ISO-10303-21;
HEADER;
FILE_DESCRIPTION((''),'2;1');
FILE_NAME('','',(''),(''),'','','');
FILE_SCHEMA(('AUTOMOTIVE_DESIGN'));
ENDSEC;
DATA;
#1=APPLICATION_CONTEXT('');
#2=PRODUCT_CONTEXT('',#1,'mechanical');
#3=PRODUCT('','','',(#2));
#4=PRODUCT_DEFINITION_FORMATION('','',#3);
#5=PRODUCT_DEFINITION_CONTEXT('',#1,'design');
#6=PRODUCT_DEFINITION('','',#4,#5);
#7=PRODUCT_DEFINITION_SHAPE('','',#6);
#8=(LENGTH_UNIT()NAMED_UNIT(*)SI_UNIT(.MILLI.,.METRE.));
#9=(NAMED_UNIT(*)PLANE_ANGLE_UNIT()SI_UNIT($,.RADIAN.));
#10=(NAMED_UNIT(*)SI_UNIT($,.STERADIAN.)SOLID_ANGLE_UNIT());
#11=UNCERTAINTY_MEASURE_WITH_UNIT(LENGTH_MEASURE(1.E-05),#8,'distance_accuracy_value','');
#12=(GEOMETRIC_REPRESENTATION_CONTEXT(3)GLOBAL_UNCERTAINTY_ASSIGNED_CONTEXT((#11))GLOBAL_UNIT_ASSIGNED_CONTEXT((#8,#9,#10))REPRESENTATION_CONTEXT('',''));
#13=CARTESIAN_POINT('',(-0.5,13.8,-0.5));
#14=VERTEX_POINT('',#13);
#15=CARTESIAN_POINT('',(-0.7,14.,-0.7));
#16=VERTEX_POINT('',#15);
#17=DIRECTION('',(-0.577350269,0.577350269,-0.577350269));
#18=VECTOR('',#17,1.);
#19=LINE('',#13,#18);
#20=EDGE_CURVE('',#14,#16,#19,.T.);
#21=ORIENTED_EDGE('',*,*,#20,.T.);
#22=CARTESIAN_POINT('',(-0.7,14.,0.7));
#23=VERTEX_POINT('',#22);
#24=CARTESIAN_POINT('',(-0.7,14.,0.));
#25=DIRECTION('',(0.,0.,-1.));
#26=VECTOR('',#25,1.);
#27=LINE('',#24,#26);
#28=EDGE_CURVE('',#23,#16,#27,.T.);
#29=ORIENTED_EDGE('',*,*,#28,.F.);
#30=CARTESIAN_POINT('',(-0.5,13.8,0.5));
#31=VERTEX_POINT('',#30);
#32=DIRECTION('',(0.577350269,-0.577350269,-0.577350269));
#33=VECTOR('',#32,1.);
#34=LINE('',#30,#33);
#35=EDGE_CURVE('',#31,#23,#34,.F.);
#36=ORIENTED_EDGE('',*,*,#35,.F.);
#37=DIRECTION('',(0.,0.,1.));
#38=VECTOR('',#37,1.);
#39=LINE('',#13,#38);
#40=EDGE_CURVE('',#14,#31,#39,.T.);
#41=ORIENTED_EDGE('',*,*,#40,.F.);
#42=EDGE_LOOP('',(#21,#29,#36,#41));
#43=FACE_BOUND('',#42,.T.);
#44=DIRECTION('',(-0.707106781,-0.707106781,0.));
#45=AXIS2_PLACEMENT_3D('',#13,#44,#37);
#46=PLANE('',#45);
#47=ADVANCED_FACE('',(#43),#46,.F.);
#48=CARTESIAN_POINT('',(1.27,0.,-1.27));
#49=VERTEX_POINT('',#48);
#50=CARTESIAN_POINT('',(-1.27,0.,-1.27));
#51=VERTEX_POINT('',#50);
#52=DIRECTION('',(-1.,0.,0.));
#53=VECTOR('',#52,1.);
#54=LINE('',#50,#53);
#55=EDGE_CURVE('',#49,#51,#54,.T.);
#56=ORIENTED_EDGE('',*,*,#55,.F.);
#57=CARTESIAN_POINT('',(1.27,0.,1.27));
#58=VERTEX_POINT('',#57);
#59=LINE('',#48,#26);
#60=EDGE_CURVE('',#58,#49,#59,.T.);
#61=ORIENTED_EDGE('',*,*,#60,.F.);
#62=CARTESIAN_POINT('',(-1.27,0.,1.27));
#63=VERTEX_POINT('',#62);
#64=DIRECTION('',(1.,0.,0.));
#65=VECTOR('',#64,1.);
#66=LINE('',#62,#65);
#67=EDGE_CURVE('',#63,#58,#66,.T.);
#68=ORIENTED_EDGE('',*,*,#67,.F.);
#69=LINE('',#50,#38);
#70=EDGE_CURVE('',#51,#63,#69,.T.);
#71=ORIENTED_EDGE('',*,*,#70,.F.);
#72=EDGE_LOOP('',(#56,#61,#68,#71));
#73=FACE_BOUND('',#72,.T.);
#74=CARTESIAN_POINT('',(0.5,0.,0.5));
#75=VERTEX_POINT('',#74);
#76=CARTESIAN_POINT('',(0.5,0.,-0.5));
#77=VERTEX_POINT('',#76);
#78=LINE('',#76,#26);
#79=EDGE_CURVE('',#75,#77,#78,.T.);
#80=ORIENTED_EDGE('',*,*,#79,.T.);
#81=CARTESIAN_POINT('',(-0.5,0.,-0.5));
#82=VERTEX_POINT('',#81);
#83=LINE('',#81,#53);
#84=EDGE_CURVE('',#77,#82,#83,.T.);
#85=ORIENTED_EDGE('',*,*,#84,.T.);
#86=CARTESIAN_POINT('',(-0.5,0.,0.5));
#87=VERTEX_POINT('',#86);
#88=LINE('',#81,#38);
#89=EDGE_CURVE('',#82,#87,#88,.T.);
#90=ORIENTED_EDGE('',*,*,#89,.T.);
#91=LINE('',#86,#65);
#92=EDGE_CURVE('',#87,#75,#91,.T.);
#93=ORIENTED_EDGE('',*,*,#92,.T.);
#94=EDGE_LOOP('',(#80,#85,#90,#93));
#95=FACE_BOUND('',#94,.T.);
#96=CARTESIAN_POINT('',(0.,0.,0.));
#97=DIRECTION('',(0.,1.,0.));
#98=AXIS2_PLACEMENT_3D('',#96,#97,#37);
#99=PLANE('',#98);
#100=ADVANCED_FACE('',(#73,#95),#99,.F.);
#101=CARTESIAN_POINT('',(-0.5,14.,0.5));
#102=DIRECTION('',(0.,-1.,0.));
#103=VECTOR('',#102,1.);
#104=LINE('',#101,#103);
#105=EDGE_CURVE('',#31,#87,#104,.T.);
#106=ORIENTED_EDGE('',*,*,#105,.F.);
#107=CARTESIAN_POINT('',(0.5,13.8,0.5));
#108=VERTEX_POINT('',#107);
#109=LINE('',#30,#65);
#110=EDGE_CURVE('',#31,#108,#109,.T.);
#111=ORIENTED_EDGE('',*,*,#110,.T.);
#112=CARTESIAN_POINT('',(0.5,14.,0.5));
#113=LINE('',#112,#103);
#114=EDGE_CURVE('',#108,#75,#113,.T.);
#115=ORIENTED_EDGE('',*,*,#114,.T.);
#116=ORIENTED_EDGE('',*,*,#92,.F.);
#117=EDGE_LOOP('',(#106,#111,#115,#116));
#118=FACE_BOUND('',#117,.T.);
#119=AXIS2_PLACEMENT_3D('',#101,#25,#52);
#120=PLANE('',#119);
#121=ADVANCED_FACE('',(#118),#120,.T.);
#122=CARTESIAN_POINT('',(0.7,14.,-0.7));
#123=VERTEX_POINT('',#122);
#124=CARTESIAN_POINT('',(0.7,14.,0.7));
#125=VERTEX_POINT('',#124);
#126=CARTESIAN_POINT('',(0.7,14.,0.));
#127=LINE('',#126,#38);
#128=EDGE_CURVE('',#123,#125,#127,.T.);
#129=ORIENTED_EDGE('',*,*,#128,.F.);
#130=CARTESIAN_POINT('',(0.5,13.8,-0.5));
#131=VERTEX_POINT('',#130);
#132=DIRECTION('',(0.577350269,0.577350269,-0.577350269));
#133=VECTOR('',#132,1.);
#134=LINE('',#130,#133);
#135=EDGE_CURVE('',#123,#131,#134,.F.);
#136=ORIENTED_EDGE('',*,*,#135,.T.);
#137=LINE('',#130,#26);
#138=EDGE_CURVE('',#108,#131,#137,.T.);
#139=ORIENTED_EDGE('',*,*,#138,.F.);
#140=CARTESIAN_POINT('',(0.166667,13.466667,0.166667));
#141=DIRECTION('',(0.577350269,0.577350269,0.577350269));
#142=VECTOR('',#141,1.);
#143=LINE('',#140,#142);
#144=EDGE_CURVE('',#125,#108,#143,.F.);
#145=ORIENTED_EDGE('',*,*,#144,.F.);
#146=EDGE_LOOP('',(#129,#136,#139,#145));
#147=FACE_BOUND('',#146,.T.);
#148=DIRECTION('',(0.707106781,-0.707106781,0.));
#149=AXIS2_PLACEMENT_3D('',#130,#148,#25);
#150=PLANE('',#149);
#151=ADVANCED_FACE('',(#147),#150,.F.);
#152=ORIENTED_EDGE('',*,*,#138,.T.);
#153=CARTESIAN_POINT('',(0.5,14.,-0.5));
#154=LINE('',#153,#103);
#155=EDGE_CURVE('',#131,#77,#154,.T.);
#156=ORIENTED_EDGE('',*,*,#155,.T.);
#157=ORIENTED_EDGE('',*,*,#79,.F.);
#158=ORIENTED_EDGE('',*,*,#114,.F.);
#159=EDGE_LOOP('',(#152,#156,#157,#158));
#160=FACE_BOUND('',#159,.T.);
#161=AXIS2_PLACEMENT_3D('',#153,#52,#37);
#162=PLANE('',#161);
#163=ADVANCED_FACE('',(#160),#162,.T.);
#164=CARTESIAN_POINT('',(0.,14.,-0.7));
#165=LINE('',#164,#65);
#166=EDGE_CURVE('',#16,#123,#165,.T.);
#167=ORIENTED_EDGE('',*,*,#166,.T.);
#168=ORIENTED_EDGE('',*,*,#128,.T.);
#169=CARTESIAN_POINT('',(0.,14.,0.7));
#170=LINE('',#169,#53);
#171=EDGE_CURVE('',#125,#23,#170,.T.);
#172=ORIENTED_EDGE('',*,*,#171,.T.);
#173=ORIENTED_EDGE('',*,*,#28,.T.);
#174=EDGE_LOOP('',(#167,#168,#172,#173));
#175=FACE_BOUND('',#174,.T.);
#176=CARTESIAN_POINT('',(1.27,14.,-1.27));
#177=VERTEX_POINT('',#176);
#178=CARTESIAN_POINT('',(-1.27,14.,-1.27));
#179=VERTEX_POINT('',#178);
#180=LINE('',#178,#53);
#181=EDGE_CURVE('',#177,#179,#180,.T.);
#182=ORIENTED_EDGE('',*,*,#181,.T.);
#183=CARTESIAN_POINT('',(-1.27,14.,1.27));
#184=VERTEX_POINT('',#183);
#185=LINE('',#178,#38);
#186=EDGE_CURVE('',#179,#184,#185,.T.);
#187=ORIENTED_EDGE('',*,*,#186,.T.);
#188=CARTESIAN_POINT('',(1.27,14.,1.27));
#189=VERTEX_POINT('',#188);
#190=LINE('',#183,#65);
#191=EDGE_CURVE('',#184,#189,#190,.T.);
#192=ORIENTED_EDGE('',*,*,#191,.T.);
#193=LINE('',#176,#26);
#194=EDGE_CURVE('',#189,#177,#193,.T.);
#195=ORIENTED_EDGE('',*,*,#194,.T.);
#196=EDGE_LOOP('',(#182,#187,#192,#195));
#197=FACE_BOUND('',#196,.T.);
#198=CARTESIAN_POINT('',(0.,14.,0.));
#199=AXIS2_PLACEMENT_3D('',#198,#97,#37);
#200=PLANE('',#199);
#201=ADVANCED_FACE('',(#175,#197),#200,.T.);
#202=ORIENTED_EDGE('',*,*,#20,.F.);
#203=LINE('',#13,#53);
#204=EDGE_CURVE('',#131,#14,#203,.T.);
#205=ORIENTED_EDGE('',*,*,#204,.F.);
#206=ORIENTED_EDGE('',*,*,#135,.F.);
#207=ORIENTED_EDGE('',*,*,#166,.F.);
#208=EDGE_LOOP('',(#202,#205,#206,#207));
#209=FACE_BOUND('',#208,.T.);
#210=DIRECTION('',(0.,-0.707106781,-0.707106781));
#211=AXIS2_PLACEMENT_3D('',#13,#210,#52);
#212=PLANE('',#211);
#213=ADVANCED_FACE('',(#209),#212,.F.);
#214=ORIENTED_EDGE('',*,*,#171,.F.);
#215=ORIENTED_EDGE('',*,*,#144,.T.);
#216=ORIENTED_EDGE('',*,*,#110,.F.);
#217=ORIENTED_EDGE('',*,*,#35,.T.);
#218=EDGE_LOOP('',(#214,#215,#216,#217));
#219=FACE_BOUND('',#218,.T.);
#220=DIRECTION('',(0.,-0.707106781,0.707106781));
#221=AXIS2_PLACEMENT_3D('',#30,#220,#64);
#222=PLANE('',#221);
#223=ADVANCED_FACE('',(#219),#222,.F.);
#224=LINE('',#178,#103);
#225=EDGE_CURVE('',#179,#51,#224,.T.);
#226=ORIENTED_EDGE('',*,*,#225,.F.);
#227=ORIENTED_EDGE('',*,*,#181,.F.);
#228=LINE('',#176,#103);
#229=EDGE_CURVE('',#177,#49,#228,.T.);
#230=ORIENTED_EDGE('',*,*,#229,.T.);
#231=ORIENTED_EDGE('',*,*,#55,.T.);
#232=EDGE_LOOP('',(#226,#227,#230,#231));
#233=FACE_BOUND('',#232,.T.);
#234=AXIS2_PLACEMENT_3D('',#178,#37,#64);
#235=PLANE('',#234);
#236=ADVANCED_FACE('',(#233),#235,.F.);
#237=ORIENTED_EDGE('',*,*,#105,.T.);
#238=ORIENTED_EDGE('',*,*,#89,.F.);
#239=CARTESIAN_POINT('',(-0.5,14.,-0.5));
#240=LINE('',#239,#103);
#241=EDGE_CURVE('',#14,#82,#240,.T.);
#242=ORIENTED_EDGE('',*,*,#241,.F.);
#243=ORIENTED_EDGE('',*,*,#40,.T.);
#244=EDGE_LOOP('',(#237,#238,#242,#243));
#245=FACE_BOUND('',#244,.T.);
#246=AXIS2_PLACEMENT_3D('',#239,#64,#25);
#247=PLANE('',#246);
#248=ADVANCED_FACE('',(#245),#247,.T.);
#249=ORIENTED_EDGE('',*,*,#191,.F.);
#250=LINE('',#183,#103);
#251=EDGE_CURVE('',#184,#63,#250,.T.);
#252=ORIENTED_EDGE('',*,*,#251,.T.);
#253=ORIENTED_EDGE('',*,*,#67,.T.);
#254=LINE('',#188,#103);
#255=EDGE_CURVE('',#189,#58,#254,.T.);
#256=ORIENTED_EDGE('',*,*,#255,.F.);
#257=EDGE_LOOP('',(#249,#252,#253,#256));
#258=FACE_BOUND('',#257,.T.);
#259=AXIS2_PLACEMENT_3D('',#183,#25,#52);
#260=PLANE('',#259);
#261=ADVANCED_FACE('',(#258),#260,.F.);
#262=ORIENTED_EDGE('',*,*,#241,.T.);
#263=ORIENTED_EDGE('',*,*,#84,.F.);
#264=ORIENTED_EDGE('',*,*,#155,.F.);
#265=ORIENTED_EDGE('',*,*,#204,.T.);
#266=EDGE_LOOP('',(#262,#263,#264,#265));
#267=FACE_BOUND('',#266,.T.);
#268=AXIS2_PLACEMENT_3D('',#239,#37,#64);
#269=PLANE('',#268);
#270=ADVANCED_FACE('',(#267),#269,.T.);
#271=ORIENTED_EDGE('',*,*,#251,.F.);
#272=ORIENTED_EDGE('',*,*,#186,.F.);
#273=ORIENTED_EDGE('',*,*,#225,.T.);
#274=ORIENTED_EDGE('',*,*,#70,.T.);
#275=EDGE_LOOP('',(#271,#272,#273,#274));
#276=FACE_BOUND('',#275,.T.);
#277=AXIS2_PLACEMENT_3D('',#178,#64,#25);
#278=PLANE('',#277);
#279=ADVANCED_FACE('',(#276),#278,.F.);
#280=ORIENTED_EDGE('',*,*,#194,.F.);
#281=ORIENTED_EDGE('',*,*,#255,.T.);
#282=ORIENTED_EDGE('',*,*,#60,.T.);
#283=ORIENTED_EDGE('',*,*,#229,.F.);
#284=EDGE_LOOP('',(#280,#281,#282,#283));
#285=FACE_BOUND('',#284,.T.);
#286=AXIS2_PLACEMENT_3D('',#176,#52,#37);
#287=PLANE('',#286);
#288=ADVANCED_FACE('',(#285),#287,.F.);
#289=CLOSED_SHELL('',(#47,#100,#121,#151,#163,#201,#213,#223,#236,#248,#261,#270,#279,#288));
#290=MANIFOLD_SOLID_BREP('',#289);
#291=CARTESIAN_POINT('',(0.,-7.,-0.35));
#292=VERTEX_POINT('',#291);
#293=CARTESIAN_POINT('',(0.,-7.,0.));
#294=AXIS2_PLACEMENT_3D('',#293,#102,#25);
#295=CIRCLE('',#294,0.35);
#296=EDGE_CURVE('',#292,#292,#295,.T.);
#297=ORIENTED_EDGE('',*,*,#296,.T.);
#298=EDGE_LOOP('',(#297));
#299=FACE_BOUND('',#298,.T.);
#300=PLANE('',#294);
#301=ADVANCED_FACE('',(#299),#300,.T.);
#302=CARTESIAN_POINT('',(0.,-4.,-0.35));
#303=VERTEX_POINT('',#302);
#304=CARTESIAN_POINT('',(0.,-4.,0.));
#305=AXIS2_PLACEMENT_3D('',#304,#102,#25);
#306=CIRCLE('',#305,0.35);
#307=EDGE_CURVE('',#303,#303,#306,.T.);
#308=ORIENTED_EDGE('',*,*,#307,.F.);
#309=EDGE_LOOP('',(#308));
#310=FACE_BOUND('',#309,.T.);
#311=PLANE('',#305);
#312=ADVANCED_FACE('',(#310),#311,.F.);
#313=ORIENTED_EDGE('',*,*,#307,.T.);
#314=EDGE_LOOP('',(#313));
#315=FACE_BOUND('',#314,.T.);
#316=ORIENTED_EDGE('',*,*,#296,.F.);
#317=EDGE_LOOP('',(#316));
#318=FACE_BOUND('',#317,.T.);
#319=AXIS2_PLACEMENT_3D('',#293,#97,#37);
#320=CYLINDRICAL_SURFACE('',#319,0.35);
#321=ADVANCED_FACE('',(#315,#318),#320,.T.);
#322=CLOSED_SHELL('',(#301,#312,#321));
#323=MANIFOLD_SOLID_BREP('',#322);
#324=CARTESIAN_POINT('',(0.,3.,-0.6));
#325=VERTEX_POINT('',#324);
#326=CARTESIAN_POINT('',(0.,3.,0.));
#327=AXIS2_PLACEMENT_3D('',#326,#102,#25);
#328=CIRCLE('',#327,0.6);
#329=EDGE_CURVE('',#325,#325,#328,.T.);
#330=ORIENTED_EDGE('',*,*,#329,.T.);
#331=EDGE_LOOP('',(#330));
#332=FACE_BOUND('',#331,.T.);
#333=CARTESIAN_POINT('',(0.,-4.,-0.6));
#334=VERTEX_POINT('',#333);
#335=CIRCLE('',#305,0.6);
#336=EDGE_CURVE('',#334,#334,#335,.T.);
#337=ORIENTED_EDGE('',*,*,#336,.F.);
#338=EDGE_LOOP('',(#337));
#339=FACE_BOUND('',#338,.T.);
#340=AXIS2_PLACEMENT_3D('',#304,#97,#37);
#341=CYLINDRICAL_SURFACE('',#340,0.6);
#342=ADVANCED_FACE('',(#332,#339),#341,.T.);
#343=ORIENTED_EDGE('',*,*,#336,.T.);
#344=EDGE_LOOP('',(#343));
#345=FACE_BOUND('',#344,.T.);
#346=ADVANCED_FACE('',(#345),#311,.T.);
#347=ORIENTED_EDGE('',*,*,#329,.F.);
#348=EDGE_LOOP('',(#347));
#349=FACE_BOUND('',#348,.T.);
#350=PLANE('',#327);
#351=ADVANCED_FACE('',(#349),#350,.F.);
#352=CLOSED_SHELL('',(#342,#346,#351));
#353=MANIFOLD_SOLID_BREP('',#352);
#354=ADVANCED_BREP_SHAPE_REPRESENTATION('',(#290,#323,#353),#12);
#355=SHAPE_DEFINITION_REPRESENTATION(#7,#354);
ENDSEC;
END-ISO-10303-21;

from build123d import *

# Parameters (mm, degrees)
SKETCH_1_W      = 2.54
SKETCH_1_H      = 2.54
SKETCH_1_W_2    = 1
SKETCH_1_H_2    = 1
EXTRUDE_1_DEPTH = 14
CHAMFER_1_SIZE  = 0.2
SKETCH_3_R      = 0.6
EXTRUDE_2_DEPTH = 7
SKETCH_4_R      = 0.35
EXTRUDE_3_DEPTH = 3


with BuildPart() as part:
    # Эскиз1 → Бобышка-Вытянуть1 (new body)
    with BuildSketch(Plane(origin=(0, 0, 0), x_dir=(1, 0, 0), z_dir=(0, 1, 0))):
        Rectangle(SKETCH_1_W, SKETCH_1_H)
        Rectangle(SKETCH_1_W_2, SKETCH_1_H_2, mode=Mode.SUBTRACT)
    extrude(amount=EXTRUDE_1_DEPTH)

    # Фаска1
    chamfer_1_edges = [part.edges().sort_by_distance(p)[0] for p in [
        (0.5, 14, 0),
        (0, 14, -0.5),
        (-0.5, 14, 0),
        (0, 14, 0.5),
    ]]
    chamfer(chamfer_1_edges, length=CHAMFER_1_SIZE)


with BuildPart() as body_2:
    # Эскиз3 → Бобышка-Вытянуть2 (new body)
    with BuildSketch(Plane(origin=(0, 3, 0), x_dir=(-1, 0, 0), z_dir=(0, -1, 0))):
        Circle(SKETCH_3_R)
    extrude(amount=EXTRUDE_2_DEPTH)


with BuildPart() as body_3:
    # Эскиз4 → Бобышка-Вытянуть3 (new body)
    with BuildSketch(Plane.XZ.offset(4)):
        Circle(SKETCH_4_R)
    extrude(amount=EXTRUDE_3_DEPTH)


solid = Compound([part.part, body_2.part, body_3.part])
